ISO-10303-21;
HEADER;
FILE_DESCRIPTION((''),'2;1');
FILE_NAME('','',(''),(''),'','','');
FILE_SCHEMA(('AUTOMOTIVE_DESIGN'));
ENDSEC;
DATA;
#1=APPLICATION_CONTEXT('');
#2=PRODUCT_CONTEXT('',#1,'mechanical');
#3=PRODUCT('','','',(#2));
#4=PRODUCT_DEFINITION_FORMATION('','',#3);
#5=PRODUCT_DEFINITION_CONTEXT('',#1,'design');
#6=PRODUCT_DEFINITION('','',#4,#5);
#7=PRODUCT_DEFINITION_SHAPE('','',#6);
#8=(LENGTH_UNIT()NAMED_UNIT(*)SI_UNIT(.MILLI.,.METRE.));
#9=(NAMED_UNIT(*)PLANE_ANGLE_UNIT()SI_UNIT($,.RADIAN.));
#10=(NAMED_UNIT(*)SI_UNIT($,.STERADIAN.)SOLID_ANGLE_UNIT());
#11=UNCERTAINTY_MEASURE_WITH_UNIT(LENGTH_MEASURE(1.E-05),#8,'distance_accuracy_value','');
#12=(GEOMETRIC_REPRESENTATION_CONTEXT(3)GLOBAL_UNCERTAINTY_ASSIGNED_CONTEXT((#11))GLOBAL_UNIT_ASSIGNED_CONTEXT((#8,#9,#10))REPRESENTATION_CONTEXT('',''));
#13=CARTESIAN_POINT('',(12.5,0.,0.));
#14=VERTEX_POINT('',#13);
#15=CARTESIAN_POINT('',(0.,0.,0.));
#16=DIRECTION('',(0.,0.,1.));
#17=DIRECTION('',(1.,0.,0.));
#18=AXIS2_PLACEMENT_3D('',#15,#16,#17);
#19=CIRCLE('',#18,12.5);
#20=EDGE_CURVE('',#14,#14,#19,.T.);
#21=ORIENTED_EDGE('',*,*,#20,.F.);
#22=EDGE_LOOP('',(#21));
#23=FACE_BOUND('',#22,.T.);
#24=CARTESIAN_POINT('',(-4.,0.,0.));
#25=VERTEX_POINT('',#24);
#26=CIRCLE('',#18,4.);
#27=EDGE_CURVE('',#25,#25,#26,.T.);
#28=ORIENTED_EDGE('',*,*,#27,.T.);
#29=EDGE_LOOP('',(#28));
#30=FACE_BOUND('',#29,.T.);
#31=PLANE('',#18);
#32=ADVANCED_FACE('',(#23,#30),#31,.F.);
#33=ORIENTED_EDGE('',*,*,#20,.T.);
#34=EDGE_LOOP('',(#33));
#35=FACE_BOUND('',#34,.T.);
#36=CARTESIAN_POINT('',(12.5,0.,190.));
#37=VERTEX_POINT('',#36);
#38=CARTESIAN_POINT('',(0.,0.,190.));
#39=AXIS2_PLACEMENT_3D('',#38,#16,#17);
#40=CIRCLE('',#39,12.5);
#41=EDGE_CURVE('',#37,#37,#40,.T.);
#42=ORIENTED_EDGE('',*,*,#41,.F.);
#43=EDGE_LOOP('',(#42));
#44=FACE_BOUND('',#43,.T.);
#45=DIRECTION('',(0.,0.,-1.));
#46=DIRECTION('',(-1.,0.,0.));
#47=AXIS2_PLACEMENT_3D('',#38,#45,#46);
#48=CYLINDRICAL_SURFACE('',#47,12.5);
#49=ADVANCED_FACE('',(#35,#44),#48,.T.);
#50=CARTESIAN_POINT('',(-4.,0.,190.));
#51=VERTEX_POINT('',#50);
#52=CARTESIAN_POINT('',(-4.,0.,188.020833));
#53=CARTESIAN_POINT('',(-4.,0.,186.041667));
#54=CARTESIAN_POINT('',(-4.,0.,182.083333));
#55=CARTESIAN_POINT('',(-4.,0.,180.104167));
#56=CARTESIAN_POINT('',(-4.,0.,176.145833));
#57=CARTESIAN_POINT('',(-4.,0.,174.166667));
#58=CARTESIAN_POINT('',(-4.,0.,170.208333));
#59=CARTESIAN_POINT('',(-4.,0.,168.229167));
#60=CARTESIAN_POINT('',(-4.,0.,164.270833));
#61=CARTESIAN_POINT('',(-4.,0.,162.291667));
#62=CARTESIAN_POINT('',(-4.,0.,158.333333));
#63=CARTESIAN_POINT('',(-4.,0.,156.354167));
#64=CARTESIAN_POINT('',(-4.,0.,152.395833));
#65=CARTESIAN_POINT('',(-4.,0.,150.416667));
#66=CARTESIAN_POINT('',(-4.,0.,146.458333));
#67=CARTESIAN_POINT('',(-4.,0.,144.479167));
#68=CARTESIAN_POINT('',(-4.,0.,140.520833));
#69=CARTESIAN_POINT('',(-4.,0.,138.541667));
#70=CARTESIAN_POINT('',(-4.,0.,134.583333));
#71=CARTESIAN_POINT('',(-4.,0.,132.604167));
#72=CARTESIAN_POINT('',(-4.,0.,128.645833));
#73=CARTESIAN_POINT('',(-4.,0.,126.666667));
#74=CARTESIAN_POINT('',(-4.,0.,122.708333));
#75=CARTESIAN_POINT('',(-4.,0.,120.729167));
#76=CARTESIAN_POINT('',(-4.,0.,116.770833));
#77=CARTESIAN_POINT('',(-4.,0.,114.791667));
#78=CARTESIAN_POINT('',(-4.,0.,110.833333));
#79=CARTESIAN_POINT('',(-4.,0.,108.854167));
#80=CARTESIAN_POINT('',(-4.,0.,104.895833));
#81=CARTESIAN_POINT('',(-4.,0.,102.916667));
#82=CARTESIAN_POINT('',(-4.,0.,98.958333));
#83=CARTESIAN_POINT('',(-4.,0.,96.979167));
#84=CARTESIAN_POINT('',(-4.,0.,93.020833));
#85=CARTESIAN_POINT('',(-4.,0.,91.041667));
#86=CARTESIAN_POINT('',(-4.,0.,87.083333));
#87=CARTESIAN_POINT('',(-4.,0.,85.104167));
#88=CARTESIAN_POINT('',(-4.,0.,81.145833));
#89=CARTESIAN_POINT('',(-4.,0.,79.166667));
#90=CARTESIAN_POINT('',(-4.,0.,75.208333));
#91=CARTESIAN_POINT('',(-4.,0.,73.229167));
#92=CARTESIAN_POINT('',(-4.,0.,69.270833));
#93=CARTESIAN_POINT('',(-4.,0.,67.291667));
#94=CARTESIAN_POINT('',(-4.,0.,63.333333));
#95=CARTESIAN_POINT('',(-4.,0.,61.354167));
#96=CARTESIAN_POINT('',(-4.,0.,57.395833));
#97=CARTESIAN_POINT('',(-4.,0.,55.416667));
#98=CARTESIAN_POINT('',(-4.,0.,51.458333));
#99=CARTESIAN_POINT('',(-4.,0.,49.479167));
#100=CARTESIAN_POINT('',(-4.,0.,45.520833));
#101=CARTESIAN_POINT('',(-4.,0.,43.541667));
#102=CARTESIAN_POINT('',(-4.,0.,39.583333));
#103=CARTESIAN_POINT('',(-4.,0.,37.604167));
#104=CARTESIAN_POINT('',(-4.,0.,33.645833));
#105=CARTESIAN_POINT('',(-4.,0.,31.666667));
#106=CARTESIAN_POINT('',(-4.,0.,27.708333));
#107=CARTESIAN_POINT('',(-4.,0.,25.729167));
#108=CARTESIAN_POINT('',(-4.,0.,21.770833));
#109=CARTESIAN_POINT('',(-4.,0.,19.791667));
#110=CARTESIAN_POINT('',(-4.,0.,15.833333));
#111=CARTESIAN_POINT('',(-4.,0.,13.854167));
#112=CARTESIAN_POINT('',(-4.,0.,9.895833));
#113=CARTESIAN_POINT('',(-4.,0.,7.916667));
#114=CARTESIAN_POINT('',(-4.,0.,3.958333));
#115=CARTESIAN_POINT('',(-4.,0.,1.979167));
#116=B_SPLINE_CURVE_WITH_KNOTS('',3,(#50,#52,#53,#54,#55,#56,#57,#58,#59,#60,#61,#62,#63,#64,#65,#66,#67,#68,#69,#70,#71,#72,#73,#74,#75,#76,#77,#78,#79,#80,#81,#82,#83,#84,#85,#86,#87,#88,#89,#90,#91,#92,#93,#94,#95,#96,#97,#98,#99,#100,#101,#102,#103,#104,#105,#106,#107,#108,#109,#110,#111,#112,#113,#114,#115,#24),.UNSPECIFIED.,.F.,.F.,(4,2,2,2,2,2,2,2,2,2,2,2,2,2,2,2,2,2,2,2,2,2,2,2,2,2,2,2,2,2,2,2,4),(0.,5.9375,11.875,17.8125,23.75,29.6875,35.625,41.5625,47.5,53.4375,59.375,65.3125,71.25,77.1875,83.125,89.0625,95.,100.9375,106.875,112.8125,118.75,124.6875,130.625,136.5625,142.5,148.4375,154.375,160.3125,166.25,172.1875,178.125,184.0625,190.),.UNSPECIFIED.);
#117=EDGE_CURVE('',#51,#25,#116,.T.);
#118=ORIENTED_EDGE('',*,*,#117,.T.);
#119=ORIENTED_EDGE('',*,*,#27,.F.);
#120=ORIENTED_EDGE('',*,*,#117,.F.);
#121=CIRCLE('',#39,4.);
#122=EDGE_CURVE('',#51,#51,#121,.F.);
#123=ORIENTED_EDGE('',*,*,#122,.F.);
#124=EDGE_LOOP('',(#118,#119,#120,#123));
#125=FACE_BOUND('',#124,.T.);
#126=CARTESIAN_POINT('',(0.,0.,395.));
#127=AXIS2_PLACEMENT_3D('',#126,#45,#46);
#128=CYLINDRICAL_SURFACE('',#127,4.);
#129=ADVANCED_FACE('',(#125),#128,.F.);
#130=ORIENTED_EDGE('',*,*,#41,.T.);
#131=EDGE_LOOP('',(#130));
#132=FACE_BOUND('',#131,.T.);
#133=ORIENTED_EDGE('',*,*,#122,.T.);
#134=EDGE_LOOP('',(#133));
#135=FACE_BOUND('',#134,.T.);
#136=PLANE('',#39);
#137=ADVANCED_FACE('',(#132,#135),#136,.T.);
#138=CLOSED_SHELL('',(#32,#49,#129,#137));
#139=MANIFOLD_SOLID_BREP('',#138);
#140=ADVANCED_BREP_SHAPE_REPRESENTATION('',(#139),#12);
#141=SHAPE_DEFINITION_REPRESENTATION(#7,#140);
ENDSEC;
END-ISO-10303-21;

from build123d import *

# Parameters (mm, degrees)
SKETCH1_R           = 12.5
BOSS_EXTRUDE1_DEPTH = 190
SKETCH2_R           = 4
CUT_EXTRUDE1_DEPTH  = 395


with BuildPart() as part:
    # Sketch1 → Boss-Extrude1 (new body)
    with BuildSketch(Plane.XY):
        Circle(SKETCH1_R)
    extrude(amount=BOSS_EXTRUDE1_DEPTH)

    # Sketch2 → Cut-Extrude1 (cut)
    with BuildSketch(Plane.XY):
        with Locations(Location((0, 0, 0), (0, 0, 180))):
            Circle(SKETCH2_R)
    extrude(amount=CUT_EXTRUDE1_DEPTH, mode=Mode.SUBTRACT)


solid = part.part
